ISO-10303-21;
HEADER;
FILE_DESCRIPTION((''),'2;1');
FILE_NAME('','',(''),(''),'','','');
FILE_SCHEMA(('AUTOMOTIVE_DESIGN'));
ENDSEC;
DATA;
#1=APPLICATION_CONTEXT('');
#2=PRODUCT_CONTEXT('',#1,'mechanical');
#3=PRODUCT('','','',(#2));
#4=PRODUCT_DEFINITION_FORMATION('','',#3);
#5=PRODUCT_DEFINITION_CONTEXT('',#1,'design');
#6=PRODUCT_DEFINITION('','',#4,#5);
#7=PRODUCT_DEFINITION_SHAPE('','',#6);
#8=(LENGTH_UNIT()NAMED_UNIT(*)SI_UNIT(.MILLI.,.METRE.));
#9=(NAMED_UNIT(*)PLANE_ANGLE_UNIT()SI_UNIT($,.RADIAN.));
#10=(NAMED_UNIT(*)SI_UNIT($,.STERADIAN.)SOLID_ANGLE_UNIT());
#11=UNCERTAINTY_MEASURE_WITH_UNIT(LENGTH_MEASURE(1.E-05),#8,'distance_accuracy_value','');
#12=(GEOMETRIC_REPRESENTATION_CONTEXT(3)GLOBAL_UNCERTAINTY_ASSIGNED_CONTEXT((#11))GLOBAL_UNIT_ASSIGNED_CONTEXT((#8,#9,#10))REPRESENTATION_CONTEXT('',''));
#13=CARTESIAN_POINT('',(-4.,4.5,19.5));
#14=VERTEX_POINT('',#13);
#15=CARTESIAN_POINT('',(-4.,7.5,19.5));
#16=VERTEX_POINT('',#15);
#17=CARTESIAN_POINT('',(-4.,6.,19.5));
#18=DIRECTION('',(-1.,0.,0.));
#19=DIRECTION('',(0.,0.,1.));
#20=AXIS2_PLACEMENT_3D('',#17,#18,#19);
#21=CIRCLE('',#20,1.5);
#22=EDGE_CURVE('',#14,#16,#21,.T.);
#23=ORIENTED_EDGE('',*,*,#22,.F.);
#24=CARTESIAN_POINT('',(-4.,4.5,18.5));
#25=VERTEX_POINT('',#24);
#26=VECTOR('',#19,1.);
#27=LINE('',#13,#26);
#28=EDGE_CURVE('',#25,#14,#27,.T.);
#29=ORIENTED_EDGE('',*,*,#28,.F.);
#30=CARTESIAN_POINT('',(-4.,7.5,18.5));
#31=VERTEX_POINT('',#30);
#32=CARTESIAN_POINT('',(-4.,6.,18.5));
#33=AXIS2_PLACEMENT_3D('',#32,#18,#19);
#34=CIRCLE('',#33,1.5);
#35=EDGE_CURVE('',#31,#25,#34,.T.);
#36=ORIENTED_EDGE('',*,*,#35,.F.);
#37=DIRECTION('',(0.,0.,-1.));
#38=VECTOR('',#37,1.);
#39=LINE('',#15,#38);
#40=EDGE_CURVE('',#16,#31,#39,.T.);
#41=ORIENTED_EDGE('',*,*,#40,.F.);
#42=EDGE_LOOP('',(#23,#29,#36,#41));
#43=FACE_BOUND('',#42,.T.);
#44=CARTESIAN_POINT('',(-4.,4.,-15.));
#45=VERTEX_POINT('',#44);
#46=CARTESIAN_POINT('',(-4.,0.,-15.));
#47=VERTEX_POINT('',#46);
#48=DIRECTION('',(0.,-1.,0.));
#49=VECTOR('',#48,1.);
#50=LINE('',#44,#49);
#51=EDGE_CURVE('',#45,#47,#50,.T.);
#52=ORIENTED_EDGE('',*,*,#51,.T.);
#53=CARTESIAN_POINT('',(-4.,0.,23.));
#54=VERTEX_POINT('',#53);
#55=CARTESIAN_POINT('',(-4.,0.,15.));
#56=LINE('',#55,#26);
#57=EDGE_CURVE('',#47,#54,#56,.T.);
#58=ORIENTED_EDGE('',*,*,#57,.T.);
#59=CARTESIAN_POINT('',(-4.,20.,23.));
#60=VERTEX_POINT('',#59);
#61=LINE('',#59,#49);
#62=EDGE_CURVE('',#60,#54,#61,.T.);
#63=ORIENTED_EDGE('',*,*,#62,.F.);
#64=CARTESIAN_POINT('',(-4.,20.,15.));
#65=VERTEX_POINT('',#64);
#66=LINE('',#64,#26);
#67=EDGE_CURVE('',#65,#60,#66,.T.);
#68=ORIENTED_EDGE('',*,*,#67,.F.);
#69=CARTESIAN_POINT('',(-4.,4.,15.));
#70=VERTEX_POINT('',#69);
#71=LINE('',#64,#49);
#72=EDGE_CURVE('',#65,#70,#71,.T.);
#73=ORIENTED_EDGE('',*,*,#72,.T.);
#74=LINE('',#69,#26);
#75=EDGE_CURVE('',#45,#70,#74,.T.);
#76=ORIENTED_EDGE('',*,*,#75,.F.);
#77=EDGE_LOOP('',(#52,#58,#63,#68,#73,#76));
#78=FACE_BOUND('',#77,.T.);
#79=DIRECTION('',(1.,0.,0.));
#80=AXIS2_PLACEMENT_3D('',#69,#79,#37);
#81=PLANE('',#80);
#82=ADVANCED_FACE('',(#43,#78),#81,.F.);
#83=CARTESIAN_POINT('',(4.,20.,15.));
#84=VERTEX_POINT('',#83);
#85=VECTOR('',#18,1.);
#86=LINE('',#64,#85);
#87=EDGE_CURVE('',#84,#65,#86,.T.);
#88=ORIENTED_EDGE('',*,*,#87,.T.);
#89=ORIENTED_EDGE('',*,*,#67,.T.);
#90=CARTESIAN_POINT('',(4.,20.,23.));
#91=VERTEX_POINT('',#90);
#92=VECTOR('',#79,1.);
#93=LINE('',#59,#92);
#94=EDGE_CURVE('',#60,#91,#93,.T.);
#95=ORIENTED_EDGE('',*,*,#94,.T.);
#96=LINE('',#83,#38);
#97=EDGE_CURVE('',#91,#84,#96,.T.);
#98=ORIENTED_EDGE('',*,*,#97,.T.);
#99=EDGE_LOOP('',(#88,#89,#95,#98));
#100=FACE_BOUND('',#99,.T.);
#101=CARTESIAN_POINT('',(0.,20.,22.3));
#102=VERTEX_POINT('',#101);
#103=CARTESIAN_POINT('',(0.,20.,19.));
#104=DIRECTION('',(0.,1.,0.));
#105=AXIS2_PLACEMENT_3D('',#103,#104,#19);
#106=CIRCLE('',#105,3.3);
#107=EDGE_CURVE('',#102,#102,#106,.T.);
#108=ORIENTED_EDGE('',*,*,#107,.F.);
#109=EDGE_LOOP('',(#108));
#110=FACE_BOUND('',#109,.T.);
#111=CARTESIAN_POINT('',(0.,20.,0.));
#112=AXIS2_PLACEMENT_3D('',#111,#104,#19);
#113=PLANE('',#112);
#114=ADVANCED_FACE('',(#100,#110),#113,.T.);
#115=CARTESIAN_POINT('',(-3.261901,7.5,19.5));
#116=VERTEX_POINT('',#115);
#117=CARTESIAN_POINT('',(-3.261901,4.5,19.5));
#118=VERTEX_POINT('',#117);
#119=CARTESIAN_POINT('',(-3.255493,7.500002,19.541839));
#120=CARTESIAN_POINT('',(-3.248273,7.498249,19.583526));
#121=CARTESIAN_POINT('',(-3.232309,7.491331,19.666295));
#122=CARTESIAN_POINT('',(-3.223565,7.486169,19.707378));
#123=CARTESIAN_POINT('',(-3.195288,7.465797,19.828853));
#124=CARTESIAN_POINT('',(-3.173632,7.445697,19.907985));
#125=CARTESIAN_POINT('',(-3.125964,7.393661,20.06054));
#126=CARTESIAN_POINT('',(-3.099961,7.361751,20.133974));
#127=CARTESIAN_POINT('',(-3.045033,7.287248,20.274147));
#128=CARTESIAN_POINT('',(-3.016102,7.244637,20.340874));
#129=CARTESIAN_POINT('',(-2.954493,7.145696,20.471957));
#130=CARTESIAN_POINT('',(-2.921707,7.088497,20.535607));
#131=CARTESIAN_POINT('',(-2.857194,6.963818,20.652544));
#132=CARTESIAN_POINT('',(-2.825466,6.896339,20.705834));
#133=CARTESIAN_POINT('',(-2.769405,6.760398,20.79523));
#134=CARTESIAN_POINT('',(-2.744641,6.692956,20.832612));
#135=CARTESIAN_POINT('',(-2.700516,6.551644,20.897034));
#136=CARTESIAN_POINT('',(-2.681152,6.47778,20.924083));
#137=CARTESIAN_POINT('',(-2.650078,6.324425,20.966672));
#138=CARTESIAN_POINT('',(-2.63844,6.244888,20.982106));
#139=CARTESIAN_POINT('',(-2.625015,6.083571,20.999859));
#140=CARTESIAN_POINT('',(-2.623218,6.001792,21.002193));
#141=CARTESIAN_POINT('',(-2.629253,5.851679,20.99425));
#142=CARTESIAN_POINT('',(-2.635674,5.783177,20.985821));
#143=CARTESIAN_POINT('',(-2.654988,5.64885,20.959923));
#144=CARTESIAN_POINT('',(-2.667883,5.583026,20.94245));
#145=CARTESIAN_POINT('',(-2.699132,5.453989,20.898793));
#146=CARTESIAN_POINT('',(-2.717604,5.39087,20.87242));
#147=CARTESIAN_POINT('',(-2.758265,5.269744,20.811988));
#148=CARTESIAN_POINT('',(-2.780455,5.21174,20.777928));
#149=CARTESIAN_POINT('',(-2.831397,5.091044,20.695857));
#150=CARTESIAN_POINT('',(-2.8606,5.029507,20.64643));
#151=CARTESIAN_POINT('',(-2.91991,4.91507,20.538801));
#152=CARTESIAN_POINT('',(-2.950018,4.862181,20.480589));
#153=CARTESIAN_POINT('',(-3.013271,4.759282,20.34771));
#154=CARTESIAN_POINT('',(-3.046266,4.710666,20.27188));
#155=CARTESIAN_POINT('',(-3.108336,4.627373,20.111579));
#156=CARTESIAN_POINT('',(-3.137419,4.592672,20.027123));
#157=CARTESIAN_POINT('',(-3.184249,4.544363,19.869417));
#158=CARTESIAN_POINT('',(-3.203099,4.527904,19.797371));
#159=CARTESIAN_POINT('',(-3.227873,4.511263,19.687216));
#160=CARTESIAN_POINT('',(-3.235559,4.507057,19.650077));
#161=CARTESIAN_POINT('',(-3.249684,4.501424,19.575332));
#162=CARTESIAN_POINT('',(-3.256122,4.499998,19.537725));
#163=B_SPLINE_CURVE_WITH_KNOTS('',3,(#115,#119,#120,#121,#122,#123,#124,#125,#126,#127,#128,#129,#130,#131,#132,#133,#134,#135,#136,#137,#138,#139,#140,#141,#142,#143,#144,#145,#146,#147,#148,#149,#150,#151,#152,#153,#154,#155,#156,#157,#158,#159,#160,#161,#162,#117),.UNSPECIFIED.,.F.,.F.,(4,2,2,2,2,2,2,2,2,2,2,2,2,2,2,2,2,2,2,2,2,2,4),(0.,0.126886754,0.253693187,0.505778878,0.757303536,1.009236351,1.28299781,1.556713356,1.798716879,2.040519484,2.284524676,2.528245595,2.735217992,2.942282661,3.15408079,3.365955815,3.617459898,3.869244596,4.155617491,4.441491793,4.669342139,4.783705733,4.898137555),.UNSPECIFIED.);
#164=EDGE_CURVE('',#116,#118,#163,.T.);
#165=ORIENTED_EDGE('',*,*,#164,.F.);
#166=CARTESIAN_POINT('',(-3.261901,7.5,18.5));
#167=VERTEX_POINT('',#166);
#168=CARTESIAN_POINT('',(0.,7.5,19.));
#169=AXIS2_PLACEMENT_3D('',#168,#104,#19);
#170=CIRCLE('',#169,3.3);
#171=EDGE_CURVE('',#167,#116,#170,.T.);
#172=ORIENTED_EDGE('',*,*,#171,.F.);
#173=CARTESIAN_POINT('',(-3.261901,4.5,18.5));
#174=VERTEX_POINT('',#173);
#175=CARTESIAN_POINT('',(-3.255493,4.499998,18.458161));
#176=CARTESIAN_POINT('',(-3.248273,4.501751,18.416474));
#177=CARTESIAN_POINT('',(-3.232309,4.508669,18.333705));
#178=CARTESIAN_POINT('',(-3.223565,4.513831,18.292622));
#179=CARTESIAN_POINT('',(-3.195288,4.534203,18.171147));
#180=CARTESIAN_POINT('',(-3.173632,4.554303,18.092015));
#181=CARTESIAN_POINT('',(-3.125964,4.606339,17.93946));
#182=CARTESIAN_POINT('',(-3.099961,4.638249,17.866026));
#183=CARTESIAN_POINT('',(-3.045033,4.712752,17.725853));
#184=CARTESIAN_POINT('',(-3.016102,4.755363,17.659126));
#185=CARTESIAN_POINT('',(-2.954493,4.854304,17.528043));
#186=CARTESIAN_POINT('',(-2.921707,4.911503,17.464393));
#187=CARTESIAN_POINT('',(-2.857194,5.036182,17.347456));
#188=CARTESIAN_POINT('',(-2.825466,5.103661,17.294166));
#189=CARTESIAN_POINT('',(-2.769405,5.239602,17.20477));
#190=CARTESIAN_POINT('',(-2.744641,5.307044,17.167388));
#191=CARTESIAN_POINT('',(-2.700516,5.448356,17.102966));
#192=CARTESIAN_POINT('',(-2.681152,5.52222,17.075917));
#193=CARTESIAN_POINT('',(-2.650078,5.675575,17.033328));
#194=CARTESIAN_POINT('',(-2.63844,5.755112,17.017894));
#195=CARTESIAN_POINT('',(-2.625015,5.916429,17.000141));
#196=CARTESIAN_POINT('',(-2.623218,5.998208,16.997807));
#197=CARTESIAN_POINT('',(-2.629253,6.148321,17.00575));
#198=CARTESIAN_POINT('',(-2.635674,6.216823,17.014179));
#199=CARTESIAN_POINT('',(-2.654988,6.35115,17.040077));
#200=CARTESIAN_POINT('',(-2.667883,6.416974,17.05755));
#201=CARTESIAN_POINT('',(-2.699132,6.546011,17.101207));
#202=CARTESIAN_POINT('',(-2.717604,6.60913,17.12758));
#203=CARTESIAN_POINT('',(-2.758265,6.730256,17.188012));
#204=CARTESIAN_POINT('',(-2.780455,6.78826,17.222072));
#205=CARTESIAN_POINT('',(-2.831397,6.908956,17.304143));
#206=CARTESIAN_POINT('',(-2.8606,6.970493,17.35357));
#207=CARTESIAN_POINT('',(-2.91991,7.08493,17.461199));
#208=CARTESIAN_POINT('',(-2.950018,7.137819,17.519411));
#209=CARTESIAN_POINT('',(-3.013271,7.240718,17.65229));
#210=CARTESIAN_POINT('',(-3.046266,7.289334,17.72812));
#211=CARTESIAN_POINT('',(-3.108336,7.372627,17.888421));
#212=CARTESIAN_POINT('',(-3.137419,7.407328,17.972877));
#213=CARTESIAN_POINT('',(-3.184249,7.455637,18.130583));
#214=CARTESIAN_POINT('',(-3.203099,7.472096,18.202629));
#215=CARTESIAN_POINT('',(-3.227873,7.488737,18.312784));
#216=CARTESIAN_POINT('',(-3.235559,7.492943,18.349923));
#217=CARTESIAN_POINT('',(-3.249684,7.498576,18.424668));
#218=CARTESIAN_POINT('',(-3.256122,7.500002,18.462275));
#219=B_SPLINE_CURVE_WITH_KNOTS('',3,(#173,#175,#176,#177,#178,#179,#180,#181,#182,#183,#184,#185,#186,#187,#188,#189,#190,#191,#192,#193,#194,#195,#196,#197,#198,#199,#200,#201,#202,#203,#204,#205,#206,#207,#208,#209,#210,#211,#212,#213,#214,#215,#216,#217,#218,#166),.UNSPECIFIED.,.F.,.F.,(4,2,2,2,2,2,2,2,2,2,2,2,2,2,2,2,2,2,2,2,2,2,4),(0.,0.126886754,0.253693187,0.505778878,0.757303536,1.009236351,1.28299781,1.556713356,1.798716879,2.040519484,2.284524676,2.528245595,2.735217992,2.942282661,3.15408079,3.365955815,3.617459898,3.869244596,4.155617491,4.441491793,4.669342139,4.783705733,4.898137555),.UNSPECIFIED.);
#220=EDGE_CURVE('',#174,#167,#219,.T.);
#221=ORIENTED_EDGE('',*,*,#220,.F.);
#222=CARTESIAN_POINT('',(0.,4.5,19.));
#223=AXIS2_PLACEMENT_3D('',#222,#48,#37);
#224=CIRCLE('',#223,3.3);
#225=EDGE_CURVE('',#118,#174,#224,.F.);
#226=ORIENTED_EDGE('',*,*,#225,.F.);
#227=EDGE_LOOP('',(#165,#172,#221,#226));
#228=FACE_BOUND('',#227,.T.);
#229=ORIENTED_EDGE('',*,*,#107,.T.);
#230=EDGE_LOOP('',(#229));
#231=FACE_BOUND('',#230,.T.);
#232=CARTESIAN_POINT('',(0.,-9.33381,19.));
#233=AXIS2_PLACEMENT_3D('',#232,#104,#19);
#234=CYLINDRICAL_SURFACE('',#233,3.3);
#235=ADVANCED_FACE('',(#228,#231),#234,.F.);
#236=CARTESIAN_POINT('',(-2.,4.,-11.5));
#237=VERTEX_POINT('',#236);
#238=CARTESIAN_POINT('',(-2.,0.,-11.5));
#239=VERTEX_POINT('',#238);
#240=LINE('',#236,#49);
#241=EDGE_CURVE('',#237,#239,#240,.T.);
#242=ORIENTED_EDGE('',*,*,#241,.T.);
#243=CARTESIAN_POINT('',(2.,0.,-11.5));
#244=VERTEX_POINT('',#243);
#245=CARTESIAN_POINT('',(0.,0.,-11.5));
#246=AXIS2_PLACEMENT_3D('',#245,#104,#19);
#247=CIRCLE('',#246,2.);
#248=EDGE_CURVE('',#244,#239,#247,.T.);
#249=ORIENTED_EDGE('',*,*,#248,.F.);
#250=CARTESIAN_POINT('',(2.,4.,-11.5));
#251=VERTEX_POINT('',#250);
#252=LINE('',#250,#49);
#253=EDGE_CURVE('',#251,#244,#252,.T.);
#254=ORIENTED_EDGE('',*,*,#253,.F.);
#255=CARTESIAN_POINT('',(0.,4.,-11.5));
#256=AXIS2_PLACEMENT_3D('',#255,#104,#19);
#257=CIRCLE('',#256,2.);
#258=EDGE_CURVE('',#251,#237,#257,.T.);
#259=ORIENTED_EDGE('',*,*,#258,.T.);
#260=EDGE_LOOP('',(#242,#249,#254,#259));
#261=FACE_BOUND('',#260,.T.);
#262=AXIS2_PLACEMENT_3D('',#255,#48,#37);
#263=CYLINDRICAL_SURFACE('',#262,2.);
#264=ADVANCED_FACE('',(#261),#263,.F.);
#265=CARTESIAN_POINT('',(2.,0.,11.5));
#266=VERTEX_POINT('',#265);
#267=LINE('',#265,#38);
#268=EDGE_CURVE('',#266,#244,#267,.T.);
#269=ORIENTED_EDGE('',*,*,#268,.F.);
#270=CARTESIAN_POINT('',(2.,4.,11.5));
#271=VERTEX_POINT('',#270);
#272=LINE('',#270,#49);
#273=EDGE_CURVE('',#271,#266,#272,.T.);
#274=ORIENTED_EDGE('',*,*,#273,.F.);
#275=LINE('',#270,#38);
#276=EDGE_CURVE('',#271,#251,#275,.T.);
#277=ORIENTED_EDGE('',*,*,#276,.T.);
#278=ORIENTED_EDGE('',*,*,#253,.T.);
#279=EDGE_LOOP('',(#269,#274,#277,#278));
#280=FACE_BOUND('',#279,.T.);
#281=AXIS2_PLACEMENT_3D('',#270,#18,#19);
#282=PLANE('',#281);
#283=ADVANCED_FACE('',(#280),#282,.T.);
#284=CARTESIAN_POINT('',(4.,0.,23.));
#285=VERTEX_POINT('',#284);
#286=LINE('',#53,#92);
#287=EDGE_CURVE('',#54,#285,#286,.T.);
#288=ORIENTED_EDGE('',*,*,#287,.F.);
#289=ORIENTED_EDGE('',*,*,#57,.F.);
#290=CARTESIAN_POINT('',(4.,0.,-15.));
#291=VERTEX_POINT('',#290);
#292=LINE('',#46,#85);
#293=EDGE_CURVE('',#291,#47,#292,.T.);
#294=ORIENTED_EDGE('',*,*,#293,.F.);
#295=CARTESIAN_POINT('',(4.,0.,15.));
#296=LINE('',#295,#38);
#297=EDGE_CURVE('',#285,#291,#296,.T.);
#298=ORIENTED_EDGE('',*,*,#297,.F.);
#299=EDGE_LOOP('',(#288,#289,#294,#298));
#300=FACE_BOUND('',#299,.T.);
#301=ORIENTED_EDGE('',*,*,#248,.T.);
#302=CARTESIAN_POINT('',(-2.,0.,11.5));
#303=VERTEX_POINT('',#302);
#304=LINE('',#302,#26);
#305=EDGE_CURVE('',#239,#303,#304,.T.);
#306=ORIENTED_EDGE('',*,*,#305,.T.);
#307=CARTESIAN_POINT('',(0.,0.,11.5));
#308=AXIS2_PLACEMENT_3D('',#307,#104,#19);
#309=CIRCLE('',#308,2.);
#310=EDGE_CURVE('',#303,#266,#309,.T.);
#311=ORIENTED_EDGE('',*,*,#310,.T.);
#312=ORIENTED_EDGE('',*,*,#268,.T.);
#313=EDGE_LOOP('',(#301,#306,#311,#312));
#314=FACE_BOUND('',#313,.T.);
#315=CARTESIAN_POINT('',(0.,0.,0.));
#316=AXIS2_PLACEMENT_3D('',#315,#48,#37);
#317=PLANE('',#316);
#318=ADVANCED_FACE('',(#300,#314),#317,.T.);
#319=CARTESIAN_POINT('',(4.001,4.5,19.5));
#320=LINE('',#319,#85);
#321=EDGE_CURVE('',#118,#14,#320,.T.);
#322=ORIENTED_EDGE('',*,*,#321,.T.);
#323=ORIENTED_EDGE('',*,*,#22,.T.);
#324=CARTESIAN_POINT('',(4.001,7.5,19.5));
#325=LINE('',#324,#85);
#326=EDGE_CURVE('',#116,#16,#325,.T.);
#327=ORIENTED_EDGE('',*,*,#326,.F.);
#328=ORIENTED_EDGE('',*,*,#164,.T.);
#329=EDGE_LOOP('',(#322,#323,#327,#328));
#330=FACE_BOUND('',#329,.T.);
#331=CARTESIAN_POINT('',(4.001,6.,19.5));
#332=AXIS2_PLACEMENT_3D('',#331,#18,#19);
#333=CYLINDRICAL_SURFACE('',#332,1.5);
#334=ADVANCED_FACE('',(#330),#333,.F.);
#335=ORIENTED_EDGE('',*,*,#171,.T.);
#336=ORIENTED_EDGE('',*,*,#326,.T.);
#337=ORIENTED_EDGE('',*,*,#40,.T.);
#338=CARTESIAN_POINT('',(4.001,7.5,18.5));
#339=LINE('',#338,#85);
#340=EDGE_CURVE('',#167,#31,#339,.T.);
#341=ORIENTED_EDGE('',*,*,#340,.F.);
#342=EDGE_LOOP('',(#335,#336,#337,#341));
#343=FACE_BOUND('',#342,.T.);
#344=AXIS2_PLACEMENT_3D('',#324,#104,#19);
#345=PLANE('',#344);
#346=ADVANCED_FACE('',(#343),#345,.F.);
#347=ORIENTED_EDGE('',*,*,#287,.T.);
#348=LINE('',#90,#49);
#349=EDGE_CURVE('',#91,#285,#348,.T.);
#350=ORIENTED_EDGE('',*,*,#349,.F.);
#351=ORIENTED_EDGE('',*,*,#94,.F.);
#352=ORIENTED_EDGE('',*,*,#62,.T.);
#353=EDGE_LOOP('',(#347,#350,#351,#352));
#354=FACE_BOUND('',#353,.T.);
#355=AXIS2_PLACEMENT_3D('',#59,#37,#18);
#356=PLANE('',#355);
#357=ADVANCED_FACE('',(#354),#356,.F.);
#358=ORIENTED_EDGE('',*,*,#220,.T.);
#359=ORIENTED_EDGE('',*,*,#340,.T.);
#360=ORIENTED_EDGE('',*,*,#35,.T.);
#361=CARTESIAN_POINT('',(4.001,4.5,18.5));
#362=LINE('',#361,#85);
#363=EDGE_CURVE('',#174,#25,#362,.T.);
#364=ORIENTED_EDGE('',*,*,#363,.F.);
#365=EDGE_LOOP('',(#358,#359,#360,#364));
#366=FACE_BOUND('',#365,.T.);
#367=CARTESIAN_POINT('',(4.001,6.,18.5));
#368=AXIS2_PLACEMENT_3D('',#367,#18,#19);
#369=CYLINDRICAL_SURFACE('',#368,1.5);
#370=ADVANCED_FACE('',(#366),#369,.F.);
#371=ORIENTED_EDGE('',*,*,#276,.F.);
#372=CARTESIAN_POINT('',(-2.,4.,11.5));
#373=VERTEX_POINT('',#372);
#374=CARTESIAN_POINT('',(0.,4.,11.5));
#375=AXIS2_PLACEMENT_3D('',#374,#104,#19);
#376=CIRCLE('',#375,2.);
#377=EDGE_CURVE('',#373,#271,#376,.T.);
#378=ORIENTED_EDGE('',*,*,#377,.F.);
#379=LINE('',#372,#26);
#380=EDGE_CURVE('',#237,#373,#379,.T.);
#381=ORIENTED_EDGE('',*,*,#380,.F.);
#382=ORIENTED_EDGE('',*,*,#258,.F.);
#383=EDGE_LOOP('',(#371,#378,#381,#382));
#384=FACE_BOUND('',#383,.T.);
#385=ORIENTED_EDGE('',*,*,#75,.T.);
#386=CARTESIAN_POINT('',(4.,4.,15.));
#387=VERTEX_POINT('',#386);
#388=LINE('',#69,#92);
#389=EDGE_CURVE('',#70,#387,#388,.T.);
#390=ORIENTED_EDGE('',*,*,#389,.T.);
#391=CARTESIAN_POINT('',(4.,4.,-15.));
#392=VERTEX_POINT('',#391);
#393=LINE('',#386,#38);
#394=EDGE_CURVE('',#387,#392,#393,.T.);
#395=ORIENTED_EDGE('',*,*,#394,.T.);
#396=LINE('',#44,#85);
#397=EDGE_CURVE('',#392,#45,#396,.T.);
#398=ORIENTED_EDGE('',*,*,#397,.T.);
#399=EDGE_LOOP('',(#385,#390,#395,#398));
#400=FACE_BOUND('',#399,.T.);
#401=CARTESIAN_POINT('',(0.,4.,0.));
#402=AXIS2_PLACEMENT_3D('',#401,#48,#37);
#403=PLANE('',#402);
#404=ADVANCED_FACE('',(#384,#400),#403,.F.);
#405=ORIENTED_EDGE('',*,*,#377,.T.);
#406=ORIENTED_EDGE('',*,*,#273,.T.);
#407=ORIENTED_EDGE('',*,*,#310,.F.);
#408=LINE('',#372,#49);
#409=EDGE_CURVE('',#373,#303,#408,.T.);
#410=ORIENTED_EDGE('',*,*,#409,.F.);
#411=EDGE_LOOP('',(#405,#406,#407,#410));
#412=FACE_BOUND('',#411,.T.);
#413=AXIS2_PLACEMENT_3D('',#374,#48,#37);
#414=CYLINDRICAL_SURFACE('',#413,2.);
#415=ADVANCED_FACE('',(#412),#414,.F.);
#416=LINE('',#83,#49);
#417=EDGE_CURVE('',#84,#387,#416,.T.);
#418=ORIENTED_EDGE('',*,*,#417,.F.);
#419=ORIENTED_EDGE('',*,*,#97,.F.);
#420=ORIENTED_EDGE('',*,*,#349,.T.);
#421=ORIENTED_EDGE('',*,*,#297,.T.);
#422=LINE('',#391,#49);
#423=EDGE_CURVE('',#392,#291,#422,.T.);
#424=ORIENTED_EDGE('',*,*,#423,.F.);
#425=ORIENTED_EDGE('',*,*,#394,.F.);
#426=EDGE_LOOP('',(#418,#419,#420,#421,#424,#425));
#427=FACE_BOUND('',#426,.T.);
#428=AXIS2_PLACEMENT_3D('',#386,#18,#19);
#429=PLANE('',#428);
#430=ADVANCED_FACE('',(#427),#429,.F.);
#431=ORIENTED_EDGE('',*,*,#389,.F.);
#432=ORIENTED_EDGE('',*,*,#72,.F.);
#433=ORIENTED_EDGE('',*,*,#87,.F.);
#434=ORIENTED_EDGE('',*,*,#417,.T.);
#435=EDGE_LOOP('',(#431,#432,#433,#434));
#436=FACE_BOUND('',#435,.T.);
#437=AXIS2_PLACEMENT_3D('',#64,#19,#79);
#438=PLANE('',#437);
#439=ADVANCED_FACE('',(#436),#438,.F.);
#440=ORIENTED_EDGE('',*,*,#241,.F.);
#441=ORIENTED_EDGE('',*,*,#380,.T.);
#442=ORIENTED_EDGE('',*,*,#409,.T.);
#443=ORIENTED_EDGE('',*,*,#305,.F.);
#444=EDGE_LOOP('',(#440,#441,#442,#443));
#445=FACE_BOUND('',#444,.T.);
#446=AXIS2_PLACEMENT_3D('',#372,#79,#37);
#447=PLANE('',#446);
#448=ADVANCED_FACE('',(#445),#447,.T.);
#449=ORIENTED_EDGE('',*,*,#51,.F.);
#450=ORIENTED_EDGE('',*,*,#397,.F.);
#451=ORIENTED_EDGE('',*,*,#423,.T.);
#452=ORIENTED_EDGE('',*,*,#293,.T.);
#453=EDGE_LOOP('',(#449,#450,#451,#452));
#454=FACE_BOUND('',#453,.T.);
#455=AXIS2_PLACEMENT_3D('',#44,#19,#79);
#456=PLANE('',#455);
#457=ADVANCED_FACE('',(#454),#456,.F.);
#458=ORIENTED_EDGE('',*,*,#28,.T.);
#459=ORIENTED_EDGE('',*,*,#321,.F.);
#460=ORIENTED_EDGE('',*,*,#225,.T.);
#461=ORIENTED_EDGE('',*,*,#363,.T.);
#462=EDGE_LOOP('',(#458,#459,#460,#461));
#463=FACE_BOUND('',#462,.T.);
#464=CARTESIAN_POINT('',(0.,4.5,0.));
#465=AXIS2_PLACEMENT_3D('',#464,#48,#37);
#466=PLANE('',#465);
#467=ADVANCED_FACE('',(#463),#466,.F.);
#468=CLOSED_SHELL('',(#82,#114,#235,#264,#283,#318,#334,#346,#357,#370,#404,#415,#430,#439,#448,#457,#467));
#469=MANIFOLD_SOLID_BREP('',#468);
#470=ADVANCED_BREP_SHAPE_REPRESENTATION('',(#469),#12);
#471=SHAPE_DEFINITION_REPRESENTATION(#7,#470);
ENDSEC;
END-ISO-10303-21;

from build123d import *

# Parameters (mm, degrees)
SKETCH2_W           = 8
SKETCH2_H           = 30
BOSS_EXTRUDE1_DEPTH = 4
CUT_EXTRUDE1_DEPTH  = 5
SKETCH4_W           = 8
SKETCH4_H           = 8
BOSS_EXTRUDE2_DEPTH = 20
SKETCH5_R           = 3.3
CUT_EXTRUDE2_DEPTH  = 15.5
CUT_EXTRUDE3_REACH  = 10


with BuildPart() as part:
    # Sketch2 → Boss-Extrude1 (new body)
    with BuildSketch(Plane(origin=(0, 0, 0), x_dir=(1, 0, 0), z_dir=(0, 1, 0))):
        Rectangle(SKETCH2_W, SKETCH2_H)
    extrude(amount=BOSS_EXTRUDE1_DEPTH)

    # Sketch3 → Cut-Extrude1 (cut, through all)
    with BuildSketch(Plane(origin=(0, 0, 0), x_dir=(1, 0, 0), z_dir=(0, 1, 0))):
        with BuildLine():
            Line((-2, -11.5), (-2, 11.5))
            ThreePointArc((-2, 11.5), (0, 13.5), (2, 11.5))
            Line((2, 11.5), (2, -11.5))
            ThreePointArc((2, -11.5), (0, -13.5), (-2, -11.5))
        make_face()
    extrude(amount=CUT_EXTRUDE1_DEPTH, mode=Mode.SUBTRACT)

    # Sketch4 → Boss-Extrude2 (add)
    with BuildSketch(Plane(origin=(0, 0, 0), x_dir=(1, 0, 0), z_dir=(0, 1, 0))):
        with Locations((0, -19)):
            Rectangle(SKETCH4_W, SKETCH4_H)
    extrude(amount=BOSS_EXTRUDE2_DEPTH)

    # Sketch5 → Cut-Extrude2 (cut)
    with BuildSketch(Plane(origin=(0, 20, 0), x_dir=(1, 0, 0), z_dir=(0, 1, 0))):
        with Locations((0, -19)):
            Circle(SKETCH5_R)
    extrude(amount=-CUT_EXTRUDE2_DEPTH, mode=Mode.SUBTRACT)

    # Sketch6 → Cut-Extrude3 (cut, up to next)
    with BuildSketch(Plane.ZY.offset(4), mode=Mode.PRIVATE) as cut_extrude3_sk1:
        with BuildLine():
            Line((19.5, 4.5), (18.5, 4.5))
            ThreePointArc((18.5, 4.5), (17, 6), (18.5, 7.5))
            Line((18.5, 7.5), (19.5, 7.5))
            ThreePointArc((19.5, 7.5), (21, 6), (19.5, 4.5))
        make_face()
    cut_extrude3_tool1 = extrude(cut_extrude3_sk1.sketch, amount=-CUT_EXTRUDE3_REACH, mode=Mode.PRIVATE) & part.part
    add(cut_extrude3_tool1.solids().sort_by_distance((-4, 6, 19))[0], mode=Mode.SUBTRACT)


solid = part.part
